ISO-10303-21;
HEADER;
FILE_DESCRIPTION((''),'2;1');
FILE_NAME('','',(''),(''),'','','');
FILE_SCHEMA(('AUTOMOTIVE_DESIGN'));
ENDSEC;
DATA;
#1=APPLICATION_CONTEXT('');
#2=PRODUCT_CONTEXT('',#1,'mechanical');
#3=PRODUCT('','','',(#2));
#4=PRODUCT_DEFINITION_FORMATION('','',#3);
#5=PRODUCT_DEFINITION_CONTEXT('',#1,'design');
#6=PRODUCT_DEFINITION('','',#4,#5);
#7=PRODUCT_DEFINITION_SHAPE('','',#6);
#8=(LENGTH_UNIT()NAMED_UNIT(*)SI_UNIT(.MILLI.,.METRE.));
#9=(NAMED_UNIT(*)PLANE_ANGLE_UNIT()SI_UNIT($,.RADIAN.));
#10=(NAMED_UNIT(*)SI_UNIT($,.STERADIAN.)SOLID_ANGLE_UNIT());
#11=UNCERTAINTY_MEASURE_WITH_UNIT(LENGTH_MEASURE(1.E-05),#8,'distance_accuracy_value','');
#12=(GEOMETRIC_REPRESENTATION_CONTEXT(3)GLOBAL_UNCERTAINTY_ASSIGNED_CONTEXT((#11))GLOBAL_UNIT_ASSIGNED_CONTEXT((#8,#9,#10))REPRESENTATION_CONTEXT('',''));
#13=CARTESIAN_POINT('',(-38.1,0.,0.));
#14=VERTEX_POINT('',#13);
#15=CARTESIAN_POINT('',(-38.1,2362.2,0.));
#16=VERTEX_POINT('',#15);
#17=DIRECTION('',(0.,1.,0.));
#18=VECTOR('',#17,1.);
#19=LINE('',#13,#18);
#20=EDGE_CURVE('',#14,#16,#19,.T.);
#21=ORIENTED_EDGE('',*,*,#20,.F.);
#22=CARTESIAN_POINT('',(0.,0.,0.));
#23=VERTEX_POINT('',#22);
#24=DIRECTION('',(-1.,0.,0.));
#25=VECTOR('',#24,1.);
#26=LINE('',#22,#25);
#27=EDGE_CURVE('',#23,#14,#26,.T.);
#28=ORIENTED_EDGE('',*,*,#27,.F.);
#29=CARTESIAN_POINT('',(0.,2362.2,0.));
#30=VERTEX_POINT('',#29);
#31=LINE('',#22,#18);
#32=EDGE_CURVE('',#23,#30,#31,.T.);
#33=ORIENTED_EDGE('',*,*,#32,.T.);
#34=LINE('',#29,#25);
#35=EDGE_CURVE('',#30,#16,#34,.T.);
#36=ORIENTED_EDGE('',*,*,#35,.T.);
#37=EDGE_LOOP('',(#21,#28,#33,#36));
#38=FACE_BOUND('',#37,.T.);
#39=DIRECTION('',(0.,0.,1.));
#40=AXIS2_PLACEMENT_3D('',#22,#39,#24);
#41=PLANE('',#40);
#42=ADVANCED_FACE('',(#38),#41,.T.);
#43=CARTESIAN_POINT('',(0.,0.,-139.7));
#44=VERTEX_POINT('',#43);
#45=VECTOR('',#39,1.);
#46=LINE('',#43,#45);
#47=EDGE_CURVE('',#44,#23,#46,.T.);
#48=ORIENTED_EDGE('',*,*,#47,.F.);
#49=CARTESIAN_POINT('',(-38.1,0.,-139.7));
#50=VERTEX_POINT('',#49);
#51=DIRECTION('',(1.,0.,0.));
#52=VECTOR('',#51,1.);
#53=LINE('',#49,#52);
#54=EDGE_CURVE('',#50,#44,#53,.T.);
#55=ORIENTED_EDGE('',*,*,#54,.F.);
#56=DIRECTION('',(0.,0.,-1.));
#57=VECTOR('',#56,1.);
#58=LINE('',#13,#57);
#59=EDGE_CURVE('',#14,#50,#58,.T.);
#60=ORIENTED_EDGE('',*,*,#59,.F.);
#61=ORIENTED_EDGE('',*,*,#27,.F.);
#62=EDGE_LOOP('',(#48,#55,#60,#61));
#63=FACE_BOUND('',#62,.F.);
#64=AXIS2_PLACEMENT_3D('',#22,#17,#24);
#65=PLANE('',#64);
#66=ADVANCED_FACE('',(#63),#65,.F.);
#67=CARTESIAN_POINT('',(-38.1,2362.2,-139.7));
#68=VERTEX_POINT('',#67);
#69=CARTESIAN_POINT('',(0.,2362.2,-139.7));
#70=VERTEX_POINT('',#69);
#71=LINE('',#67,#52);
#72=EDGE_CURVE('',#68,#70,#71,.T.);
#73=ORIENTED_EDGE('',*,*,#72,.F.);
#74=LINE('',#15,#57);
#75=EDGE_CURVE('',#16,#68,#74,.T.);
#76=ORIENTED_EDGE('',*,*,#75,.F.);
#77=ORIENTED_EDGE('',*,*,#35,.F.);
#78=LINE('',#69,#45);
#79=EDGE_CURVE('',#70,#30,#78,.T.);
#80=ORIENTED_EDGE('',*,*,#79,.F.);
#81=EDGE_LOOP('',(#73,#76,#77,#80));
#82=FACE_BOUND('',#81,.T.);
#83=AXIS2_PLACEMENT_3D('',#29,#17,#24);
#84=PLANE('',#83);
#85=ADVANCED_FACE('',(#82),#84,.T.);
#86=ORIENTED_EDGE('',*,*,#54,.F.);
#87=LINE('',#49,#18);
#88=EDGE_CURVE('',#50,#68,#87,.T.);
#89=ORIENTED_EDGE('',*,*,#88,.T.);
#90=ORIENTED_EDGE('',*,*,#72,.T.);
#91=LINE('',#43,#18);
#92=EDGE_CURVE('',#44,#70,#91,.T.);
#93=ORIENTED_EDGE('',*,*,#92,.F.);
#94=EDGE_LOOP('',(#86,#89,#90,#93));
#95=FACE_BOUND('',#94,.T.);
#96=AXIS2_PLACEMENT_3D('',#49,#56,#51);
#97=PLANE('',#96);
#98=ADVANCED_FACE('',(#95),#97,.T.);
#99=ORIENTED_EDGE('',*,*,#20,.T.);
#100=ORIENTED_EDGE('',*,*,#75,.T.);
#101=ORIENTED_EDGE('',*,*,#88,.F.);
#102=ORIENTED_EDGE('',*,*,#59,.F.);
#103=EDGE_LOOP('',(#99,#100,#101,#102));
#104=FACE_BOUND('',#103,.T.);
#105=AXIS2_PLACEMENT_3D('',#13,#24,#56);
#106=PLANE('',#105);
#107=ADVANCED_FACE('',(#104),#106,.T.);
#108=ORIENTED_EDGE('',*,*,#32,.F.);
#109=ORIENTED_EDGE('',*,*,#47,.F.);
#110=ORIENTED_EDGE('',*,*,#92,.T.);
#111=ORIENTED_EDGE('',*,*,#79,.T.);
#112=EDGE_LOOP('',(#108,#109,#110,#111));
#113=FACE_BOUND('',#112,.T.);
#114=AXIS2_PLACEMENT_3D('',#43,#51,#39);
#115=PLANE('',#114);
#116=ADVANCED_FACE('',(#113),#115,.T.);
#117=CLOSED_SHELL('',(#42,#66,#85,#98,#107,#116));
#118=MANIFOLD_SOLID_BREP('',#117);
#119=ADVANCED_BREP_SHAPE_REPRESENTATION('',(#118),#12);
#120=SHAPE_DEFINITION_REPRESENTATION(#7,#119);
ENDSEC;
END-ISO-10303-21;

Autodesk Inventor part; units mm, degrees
ref_plane "YZ Plane" through (0, 0, 0) normal (1, 0, 0) x (0, 1, 0)
ref_plane "XZ Plane" through (0, 0, 0) normal (0, 1, 0) x (-1, 0, 0)
ref_plane "XY Plane" through (0, 0, 0) normal (0, 0, 1) x (1, 0, 0)
sketch "Sketch1" plane through (0, 0, 0) normal (0, 1, 0) x (-1, 0, 0)
  line L0 (0, 0) -> (38.1, 0)
  line L1 (38.1, 0) -> (38.1, -139.7)
  line L2 (38.1, -139.7) -> (0, -139.7)
  line L3 (0, -139.7) -> (0, 0)
  dimension "d0" = 139.7
  dimension "d1" = 38.1
extrude "Extrusion1" add sketch "Sketch1" along normal blind 2362.2
properties part number "Stud" material "Wood (Birch)"
